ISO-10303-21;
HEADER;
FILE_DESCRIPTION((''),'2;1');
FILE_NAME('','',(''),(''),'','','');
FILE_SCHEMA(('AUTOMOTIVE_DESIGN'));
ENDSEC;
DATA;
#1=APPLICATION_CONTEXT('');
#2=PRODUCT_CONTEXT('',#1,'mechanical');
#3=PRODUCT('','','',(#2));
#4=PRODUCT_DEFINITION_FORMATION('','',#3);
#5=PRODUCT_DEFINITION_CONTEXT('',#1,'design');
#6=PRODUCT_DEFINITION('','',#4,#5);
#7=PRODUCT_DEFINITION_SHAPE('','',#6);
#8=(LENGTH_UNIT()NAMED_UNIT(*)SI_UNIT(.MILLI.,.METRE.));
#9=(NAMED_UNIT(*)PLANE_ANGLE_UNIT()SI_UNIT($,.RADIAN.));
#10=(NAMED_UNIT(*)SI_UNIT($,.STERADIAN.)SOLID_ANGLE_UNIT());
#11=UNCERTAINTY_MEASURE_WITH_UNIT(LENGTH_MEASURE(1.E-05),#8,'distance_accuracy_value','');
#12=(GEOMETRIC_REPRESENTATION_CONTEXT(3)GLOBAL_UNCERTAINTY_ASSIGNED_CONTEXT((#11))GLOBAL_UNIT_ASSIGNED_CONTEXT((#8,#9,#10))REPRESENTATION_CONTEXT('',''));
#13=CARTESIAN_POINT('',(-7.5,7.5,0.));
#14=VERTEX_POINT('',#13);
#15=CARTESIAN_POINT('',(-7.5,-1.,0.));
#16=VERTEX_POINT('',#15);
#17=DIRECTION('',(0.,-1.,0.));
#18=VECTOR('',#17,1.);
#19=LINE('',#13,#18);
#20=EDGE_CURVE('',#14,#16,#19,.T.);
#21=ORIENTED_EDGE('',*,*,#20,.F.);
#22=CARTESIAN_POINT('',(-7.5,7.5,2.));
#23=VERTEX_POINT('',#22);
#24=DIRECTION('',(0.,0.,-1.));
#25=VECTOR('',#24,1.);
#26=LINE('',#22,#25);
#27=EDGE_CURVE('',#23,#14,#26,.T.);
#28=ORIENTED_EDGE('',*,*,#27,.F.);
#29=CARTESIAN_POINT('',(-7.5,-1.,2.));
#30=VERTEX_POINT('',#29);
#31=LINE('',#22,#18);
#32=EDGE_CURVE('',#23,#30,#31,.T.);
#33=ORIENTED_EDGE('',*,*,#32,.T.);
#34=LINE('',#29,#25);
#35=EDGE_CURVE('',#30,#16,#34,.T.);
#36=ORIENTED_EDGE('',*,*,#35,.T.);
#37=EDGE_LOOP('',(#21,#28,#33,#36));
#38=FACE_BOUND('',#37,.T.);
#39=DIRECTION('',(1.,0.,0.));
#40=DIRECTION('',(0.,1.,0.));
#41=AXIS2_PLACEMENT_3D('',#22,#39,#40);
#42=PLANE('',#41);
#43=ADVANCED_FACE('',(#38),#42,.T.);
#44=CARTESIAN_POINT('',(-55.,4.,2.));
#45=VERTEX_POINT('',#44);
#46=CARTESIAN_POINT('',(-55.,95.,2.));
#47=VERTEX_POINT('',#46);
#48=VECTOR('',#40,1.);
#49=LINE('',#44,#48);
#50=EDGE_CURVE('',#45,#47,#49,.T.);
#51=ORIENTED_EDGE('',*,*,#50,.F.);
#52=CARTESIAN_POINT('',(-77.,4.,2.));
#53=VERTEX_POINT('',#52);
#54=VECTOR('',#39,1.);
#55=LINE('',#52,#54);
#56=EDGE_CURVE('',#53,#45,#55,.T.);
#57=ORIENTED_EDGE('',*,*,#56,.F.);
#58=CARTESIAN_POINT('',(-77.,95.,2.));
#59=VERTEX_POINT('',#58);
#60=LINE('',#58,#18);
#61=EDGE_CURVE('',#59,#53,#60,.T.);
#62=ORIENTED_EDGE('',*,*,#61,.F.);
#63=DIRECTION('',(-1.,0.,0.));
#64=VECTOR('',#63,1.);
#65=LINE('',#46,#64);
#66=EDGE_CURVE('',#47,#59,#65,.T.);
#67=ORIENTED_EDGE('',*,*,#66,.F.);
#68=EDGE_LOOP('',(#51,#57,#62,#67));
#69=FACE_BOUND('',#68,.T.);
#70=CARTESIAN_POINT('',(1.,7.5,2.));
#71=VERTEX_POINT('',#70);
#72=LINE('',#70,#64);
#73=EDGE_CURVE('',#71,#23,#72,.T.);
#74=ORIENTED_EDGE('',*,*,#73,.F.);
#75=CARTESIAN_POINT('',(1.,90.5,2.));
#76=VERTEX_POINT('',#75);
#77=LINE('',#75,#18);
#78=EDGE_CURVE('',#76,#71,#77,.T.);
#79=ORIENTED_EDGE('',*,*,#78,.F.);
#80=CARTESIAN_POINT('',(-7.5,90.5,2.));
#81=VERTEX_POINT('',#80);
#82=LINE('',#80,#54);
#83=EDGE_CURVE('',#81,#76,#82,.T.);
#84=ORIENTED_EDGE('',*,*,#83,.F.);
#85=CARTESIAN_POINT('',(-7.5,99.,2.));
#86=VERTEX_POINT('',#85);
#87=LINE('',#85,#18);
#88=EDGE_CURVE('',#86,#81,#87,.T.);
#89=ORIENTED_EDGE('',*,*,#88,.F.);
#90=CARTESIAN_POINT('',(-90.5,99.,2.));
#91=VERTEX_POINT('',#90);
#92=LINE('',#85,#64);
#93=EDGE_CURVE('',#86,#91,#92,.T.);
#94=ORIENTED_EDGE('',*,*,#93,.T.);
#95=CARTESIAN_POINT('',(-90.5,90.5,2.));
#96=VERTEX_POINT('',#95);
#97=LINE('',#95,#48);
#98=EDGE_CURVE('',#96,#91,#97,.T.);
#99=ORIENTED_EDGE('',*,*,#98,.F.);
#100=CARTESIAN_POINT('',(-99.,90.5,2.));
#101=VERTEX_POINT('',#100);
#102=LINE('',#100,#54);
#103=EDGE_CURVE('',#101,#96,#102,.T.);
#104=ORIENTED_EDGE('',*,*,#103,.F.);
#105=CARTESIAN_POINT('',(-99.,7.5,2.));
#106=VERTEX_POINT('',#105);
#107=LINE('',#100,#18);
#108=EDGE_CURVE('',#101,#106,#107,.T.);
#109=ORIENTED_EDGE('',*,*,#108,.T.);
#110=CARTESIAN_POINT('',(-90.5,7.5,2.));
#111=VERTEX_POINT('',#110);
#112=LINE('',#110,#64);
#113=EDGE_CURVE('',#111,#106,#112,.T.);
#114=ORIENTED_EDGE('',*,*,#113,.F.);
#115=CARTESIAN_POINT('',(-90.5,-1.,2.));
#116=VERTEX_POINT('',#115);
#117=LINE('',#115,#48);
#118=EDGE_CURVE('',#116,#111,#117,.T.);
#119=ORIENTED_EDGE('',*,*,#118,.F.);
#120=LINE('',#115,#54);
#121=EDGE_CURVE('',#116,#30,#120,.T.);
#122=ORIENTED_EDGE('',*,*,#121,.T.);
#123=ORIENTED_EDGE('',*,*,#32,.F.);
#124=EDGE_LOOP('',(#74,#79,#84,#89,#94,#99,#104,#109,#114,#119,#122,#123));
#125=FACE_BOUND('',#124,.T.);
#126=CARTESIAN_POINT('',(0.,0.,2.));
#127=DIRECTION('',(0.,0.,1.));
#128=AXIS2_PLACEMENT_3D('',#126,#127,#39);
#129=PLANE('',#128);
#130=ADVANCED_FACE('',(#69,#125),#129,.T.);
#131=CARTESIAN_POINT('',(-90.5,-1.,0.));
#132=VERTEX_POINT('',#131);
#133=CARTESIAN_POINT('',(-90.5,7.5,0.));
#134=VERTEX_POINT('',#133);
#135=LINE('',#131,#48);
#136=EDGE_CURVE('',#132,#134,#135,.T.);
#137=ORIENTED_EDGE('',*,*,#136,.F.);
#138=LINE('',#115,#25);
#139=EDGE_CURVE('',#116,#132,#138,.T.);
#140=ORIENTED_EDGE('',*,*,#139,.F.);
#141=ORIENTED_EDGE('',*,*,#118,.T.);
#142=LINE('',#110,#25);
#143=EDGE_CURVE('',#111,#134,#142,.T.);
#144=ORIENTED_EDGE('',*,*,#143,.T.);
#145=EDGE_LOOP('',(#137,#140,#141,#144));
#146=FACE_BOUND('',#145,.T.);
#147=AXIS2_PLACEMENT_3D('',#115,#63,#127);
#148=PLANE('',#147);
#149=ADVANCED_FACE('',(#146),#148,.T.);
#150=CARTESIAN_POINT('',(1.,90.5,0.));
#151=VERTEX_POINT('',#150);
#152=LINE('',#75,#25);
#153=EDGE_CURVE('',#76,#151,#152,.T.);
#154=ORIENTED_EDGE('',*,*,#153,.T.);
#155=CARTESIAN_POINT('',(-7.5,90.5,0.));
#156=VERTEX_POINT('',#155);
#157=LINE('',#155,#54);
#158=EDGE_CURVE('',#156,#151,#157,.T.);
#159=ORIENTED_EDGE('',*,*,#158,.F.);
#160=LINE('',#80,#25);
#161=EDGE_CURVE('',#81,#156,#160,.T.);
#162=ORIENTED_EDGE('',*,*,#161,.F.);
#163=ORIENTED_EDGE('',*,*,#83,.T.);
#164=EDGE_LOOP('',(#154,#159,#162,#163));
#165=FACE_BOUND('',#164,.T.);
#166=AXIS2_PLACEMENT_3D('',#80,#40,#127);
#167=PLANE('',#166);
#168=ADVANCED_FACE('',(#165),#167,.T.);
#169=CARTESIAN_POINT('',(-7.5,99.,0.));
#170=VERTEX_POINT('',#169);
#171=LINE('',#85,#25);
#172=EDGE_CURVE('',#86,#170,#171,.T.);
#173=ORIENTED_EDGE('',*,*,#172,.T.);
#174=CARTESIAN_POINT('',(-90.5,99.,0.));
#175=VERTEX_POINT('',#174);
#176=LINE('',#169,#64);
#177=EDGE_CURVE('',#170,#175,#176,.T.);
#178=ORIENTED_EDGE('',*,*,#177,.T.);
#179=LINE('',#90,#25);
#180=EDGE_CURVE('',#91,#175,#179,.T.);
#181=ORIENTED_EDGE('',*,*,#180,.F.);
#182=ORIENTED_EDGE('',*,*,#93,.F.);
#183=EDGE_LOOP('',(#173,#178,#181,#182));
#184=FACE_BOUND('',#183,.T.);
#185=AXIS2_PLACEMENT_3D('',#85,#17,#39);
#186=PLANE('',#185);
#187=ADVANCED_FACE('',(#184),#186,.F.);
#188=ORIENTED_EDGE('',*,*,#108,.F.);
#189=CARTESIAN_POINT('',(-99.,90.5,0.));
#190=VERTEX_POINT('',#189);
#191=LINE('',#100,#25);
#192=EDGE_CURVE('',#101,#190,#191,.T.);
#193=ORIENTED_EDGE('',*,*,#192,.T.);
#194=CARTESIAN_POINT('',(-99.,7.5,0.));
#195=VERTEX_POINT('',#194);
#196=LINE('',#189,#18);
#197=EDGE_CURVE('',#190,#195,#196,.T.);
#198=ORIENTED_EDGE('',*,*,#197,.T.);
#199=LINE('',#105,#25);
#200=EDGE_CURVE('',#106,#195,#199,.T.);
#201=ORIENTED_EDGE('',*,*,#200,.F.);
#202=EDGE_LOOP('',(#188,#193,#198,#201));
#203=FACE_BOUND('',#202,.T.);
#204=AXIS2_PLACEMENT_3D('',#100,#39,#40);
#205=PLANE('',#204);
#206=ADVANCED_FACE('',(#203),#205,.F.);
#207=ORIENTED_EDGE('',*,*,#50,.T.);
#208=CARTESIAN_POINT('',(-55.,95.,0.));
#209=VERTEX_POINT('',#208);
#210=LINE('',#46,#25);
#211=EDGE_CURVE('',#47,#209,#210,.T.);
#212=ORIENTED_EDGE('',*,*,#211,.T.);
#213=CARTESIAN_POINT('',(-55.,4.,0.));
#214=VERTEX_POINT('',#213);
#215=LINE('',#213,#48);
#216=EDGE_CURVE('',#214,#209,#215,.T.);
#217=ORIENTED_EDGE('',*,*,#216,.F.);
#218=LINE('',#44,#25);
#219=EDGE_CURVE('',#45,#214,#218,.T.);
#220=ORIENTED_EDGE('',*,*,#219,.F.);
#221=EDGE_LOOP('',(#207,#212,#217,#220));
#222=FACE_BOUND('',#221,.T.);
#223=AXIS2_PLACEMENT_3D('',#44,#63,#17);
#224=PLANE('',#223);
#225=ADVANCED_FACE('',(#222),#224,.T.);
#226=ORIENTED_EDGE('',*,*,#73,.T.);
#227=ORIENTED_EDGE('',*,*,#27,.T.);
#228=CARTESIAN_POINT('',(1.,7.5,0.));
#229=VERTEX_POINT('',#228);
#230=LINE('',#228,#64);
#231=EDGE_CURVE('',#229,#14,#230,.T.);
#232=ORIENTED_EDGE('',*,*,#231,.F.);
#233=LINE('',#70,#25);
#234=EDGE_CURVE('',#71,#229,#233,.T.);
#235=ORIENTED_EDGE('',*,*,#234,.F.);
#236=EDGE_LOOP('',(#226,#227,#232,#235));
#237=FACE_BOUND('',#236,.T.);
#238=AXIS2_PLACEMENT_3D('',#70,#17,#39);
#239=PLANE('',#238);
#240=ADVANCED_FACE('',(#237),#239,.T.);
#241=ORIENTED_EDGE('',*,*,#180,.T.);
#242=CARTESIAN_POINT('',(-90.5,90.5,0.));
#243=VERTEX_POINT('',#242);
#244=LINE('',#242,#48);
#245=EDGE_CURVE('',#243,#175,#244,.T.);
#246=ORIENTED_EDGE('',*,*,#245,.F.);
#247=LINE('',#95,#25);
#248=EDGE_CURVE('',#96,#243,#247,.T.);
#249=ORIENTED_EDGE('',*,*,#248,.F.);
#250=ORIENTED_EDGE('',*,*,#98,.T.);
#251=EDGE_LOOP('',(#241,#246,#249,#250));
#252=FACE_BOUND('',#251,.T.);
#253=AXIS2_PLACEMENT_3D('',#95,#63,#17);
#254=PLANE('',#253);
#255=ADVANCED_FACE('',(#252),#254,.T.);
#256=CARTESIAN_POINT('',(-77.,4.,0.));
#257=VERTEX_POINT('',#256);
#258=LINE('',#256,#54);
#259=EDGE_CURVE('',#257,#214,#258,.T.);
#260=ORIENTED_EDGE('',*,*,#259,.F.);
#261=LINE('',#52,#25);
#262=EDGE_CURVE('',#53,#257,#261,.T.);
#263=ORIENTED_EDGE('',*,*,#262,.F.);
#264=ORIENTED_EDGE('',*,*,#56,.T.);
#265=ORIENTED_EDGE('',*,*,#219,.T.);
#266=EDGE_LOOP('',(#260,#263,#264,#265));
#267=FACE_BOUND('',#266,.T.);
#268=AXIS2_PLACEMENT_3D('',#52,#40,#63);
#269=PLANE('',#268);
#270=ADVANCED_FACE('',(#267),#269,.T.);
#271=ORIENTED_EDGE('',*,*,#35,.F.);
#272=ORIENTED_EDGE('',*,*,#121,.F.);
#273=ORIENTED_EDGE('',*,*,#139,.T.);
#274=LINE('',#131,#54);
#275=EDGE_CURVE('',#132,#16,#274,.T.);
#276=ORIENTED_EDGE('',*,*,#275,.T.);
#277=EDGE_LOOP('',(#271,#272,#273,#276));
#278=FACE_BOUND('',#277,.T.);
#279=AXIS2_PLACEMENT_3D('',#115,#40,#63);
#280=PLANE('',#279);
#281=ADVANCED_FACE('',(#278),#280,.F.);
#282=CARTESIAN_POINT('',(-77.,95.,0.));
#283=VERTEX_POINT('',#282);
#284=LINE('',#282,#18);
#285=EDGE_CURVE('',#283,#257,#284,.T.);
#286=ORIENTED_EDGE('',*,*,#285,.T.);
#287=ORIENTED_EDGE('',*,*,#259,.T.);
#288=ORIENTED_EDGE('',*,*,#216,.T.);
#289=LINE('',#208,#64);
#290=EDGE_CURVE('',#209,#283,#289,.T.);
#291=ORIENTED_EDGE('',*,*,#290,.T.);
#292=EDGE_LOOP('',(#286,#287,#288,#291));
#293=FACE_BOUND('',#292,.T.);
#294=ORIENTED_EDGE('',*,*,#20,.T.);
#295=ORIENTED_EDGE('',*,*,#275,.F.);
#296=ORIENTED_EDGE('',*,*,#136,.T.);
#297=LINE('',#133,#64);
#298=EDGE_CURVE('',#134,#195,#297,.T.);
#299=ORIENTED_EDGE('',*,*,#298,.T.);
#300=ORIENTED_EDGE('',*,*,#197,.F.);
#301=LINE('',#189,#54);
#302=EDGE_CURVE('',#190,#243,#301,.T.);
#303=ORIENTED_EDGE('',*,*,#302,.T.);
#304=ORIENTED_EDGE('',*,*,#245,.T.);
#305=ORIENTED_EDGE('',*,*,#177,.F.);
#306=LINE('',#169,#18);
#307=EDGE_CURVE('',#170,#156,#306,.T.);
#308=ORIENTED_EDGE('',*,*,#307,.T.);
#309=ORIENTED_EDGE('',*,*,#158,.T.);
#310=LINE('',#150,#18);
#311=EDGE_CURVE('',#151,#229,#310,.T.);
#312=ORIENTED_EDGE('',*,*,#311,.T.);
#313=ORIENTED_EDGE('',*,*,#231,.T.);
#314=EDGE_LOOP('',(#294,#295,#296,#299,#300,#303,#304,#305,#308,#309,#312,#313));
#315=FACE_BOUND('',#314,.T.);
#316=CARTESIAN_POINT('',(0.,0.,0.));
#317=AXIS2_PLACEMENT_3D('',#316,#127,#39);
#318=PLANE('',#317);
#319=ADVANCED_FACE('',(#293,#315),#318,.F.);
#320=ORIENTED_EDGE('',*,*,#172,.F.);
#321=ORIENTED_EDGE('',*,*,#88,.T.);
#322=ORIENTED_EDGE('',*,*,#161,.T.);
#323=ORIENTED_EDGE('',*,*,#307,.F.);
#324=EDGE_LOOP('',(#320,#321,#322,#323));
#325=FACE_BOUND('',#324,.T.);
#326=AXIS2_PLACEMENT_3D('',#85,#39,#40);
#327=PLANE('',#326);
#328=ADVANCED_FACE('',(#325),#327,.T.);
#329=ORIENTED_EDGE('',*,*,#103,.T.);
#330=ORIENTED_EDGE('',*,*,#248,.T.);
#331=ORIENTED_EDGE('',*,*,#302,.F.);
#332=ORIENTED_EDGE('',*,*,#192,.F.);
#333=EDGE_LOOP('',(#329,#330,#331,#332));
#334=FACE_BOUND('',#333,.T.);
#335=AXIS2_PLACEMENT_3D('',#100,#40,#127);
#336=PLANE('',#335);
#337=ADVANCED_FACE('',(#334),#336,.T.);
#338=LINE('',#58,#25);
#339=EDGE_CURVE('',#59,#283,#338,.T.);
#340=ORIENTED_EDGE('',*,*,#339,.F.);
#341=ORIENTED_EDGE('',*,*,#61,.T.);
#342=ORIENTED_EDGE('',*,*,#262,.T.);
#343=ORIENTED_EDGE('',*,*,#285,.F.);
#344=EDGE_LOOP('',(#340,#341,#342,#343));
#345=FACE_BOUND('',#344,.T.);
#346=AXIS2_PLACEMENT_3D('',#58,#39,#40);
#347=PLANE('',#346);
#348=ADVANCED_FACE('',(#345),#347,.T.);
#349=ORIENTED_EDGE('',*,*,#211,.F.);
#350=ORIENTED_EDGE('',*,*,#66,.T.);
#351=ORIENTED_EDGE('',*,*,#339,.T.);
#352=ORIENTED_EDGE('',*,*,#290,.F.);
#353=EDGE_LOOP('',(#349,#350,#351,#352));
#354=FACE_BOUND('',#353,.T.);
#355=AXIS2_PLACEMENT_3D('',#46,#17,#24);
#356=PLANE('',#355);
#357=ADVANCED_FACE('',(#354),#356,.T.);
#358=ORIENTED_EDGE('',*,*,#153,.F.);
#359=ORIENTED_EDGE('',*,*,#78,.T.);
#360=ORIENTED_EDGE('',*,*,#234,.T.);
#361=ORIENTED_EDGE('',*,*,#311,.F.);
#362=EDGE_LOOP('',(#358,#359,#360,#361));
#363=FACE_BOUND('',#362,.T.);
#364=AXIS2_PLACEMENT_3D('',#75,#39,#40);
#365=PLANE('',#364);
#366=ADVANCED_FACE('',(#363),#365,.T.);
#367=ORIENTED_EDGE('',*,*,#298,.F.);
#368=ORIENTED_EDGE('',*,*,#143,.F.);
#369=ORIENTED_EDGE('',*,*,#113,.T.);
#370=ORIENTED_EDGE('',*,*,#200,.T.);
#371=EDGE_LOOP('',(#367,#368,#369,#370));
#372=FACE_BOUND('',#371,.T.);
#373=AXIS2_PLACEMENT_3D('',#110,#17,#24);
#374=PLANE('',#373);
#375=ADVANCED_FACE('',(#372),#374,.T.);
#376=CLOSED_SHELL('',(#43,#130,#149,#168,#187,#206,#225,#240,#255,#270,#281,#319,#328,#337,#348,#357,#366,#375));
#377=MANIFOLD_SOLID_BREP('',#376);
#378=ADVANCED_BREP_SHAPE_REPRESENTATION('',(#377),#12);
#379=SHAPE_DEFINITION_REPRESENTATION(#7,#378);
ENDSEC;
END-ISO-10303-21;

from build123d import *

# Parameters (mm, degrees)
BOSS_EXTRUDE1_DEPTH = 2
SKETCH1_5_W         = 22
SKETCH1_5_H         = 91
CUT_EXTRUDE1_DEPTH  = 3


with BuildPart() as part:
    # Sketch1 → Boss-Extrude1 (new body)
    with BuildSketch(Plane.XY):
        Polygon((-99, 90.5), (-99, 7.5), (-90.5, 7.5), (-90.5, -1), (-7.5, -1), (-7.5, 7.5), (1, 7.5), (1, 90.5), (-7.5, 90.5), (-7.5, 99), (-90.5, 99), (-90.5, 90.5), align=None)
    extrude(amount=BOSS_EXTRUDE1_DEPTH)

    # Sketch1<5> → Cut-Extrude1 (cut, through all)
    with BuildSketch(Plane.XY):
        with Locations((-66, 49.5)):
            Rectangle(SKETCH1_5_W, SKETCH1_5_H)
    extrude(amount=CUT_EXTRUDE1_DEPTH, mode=Mode.SUBTRACT)


solid = part.part
